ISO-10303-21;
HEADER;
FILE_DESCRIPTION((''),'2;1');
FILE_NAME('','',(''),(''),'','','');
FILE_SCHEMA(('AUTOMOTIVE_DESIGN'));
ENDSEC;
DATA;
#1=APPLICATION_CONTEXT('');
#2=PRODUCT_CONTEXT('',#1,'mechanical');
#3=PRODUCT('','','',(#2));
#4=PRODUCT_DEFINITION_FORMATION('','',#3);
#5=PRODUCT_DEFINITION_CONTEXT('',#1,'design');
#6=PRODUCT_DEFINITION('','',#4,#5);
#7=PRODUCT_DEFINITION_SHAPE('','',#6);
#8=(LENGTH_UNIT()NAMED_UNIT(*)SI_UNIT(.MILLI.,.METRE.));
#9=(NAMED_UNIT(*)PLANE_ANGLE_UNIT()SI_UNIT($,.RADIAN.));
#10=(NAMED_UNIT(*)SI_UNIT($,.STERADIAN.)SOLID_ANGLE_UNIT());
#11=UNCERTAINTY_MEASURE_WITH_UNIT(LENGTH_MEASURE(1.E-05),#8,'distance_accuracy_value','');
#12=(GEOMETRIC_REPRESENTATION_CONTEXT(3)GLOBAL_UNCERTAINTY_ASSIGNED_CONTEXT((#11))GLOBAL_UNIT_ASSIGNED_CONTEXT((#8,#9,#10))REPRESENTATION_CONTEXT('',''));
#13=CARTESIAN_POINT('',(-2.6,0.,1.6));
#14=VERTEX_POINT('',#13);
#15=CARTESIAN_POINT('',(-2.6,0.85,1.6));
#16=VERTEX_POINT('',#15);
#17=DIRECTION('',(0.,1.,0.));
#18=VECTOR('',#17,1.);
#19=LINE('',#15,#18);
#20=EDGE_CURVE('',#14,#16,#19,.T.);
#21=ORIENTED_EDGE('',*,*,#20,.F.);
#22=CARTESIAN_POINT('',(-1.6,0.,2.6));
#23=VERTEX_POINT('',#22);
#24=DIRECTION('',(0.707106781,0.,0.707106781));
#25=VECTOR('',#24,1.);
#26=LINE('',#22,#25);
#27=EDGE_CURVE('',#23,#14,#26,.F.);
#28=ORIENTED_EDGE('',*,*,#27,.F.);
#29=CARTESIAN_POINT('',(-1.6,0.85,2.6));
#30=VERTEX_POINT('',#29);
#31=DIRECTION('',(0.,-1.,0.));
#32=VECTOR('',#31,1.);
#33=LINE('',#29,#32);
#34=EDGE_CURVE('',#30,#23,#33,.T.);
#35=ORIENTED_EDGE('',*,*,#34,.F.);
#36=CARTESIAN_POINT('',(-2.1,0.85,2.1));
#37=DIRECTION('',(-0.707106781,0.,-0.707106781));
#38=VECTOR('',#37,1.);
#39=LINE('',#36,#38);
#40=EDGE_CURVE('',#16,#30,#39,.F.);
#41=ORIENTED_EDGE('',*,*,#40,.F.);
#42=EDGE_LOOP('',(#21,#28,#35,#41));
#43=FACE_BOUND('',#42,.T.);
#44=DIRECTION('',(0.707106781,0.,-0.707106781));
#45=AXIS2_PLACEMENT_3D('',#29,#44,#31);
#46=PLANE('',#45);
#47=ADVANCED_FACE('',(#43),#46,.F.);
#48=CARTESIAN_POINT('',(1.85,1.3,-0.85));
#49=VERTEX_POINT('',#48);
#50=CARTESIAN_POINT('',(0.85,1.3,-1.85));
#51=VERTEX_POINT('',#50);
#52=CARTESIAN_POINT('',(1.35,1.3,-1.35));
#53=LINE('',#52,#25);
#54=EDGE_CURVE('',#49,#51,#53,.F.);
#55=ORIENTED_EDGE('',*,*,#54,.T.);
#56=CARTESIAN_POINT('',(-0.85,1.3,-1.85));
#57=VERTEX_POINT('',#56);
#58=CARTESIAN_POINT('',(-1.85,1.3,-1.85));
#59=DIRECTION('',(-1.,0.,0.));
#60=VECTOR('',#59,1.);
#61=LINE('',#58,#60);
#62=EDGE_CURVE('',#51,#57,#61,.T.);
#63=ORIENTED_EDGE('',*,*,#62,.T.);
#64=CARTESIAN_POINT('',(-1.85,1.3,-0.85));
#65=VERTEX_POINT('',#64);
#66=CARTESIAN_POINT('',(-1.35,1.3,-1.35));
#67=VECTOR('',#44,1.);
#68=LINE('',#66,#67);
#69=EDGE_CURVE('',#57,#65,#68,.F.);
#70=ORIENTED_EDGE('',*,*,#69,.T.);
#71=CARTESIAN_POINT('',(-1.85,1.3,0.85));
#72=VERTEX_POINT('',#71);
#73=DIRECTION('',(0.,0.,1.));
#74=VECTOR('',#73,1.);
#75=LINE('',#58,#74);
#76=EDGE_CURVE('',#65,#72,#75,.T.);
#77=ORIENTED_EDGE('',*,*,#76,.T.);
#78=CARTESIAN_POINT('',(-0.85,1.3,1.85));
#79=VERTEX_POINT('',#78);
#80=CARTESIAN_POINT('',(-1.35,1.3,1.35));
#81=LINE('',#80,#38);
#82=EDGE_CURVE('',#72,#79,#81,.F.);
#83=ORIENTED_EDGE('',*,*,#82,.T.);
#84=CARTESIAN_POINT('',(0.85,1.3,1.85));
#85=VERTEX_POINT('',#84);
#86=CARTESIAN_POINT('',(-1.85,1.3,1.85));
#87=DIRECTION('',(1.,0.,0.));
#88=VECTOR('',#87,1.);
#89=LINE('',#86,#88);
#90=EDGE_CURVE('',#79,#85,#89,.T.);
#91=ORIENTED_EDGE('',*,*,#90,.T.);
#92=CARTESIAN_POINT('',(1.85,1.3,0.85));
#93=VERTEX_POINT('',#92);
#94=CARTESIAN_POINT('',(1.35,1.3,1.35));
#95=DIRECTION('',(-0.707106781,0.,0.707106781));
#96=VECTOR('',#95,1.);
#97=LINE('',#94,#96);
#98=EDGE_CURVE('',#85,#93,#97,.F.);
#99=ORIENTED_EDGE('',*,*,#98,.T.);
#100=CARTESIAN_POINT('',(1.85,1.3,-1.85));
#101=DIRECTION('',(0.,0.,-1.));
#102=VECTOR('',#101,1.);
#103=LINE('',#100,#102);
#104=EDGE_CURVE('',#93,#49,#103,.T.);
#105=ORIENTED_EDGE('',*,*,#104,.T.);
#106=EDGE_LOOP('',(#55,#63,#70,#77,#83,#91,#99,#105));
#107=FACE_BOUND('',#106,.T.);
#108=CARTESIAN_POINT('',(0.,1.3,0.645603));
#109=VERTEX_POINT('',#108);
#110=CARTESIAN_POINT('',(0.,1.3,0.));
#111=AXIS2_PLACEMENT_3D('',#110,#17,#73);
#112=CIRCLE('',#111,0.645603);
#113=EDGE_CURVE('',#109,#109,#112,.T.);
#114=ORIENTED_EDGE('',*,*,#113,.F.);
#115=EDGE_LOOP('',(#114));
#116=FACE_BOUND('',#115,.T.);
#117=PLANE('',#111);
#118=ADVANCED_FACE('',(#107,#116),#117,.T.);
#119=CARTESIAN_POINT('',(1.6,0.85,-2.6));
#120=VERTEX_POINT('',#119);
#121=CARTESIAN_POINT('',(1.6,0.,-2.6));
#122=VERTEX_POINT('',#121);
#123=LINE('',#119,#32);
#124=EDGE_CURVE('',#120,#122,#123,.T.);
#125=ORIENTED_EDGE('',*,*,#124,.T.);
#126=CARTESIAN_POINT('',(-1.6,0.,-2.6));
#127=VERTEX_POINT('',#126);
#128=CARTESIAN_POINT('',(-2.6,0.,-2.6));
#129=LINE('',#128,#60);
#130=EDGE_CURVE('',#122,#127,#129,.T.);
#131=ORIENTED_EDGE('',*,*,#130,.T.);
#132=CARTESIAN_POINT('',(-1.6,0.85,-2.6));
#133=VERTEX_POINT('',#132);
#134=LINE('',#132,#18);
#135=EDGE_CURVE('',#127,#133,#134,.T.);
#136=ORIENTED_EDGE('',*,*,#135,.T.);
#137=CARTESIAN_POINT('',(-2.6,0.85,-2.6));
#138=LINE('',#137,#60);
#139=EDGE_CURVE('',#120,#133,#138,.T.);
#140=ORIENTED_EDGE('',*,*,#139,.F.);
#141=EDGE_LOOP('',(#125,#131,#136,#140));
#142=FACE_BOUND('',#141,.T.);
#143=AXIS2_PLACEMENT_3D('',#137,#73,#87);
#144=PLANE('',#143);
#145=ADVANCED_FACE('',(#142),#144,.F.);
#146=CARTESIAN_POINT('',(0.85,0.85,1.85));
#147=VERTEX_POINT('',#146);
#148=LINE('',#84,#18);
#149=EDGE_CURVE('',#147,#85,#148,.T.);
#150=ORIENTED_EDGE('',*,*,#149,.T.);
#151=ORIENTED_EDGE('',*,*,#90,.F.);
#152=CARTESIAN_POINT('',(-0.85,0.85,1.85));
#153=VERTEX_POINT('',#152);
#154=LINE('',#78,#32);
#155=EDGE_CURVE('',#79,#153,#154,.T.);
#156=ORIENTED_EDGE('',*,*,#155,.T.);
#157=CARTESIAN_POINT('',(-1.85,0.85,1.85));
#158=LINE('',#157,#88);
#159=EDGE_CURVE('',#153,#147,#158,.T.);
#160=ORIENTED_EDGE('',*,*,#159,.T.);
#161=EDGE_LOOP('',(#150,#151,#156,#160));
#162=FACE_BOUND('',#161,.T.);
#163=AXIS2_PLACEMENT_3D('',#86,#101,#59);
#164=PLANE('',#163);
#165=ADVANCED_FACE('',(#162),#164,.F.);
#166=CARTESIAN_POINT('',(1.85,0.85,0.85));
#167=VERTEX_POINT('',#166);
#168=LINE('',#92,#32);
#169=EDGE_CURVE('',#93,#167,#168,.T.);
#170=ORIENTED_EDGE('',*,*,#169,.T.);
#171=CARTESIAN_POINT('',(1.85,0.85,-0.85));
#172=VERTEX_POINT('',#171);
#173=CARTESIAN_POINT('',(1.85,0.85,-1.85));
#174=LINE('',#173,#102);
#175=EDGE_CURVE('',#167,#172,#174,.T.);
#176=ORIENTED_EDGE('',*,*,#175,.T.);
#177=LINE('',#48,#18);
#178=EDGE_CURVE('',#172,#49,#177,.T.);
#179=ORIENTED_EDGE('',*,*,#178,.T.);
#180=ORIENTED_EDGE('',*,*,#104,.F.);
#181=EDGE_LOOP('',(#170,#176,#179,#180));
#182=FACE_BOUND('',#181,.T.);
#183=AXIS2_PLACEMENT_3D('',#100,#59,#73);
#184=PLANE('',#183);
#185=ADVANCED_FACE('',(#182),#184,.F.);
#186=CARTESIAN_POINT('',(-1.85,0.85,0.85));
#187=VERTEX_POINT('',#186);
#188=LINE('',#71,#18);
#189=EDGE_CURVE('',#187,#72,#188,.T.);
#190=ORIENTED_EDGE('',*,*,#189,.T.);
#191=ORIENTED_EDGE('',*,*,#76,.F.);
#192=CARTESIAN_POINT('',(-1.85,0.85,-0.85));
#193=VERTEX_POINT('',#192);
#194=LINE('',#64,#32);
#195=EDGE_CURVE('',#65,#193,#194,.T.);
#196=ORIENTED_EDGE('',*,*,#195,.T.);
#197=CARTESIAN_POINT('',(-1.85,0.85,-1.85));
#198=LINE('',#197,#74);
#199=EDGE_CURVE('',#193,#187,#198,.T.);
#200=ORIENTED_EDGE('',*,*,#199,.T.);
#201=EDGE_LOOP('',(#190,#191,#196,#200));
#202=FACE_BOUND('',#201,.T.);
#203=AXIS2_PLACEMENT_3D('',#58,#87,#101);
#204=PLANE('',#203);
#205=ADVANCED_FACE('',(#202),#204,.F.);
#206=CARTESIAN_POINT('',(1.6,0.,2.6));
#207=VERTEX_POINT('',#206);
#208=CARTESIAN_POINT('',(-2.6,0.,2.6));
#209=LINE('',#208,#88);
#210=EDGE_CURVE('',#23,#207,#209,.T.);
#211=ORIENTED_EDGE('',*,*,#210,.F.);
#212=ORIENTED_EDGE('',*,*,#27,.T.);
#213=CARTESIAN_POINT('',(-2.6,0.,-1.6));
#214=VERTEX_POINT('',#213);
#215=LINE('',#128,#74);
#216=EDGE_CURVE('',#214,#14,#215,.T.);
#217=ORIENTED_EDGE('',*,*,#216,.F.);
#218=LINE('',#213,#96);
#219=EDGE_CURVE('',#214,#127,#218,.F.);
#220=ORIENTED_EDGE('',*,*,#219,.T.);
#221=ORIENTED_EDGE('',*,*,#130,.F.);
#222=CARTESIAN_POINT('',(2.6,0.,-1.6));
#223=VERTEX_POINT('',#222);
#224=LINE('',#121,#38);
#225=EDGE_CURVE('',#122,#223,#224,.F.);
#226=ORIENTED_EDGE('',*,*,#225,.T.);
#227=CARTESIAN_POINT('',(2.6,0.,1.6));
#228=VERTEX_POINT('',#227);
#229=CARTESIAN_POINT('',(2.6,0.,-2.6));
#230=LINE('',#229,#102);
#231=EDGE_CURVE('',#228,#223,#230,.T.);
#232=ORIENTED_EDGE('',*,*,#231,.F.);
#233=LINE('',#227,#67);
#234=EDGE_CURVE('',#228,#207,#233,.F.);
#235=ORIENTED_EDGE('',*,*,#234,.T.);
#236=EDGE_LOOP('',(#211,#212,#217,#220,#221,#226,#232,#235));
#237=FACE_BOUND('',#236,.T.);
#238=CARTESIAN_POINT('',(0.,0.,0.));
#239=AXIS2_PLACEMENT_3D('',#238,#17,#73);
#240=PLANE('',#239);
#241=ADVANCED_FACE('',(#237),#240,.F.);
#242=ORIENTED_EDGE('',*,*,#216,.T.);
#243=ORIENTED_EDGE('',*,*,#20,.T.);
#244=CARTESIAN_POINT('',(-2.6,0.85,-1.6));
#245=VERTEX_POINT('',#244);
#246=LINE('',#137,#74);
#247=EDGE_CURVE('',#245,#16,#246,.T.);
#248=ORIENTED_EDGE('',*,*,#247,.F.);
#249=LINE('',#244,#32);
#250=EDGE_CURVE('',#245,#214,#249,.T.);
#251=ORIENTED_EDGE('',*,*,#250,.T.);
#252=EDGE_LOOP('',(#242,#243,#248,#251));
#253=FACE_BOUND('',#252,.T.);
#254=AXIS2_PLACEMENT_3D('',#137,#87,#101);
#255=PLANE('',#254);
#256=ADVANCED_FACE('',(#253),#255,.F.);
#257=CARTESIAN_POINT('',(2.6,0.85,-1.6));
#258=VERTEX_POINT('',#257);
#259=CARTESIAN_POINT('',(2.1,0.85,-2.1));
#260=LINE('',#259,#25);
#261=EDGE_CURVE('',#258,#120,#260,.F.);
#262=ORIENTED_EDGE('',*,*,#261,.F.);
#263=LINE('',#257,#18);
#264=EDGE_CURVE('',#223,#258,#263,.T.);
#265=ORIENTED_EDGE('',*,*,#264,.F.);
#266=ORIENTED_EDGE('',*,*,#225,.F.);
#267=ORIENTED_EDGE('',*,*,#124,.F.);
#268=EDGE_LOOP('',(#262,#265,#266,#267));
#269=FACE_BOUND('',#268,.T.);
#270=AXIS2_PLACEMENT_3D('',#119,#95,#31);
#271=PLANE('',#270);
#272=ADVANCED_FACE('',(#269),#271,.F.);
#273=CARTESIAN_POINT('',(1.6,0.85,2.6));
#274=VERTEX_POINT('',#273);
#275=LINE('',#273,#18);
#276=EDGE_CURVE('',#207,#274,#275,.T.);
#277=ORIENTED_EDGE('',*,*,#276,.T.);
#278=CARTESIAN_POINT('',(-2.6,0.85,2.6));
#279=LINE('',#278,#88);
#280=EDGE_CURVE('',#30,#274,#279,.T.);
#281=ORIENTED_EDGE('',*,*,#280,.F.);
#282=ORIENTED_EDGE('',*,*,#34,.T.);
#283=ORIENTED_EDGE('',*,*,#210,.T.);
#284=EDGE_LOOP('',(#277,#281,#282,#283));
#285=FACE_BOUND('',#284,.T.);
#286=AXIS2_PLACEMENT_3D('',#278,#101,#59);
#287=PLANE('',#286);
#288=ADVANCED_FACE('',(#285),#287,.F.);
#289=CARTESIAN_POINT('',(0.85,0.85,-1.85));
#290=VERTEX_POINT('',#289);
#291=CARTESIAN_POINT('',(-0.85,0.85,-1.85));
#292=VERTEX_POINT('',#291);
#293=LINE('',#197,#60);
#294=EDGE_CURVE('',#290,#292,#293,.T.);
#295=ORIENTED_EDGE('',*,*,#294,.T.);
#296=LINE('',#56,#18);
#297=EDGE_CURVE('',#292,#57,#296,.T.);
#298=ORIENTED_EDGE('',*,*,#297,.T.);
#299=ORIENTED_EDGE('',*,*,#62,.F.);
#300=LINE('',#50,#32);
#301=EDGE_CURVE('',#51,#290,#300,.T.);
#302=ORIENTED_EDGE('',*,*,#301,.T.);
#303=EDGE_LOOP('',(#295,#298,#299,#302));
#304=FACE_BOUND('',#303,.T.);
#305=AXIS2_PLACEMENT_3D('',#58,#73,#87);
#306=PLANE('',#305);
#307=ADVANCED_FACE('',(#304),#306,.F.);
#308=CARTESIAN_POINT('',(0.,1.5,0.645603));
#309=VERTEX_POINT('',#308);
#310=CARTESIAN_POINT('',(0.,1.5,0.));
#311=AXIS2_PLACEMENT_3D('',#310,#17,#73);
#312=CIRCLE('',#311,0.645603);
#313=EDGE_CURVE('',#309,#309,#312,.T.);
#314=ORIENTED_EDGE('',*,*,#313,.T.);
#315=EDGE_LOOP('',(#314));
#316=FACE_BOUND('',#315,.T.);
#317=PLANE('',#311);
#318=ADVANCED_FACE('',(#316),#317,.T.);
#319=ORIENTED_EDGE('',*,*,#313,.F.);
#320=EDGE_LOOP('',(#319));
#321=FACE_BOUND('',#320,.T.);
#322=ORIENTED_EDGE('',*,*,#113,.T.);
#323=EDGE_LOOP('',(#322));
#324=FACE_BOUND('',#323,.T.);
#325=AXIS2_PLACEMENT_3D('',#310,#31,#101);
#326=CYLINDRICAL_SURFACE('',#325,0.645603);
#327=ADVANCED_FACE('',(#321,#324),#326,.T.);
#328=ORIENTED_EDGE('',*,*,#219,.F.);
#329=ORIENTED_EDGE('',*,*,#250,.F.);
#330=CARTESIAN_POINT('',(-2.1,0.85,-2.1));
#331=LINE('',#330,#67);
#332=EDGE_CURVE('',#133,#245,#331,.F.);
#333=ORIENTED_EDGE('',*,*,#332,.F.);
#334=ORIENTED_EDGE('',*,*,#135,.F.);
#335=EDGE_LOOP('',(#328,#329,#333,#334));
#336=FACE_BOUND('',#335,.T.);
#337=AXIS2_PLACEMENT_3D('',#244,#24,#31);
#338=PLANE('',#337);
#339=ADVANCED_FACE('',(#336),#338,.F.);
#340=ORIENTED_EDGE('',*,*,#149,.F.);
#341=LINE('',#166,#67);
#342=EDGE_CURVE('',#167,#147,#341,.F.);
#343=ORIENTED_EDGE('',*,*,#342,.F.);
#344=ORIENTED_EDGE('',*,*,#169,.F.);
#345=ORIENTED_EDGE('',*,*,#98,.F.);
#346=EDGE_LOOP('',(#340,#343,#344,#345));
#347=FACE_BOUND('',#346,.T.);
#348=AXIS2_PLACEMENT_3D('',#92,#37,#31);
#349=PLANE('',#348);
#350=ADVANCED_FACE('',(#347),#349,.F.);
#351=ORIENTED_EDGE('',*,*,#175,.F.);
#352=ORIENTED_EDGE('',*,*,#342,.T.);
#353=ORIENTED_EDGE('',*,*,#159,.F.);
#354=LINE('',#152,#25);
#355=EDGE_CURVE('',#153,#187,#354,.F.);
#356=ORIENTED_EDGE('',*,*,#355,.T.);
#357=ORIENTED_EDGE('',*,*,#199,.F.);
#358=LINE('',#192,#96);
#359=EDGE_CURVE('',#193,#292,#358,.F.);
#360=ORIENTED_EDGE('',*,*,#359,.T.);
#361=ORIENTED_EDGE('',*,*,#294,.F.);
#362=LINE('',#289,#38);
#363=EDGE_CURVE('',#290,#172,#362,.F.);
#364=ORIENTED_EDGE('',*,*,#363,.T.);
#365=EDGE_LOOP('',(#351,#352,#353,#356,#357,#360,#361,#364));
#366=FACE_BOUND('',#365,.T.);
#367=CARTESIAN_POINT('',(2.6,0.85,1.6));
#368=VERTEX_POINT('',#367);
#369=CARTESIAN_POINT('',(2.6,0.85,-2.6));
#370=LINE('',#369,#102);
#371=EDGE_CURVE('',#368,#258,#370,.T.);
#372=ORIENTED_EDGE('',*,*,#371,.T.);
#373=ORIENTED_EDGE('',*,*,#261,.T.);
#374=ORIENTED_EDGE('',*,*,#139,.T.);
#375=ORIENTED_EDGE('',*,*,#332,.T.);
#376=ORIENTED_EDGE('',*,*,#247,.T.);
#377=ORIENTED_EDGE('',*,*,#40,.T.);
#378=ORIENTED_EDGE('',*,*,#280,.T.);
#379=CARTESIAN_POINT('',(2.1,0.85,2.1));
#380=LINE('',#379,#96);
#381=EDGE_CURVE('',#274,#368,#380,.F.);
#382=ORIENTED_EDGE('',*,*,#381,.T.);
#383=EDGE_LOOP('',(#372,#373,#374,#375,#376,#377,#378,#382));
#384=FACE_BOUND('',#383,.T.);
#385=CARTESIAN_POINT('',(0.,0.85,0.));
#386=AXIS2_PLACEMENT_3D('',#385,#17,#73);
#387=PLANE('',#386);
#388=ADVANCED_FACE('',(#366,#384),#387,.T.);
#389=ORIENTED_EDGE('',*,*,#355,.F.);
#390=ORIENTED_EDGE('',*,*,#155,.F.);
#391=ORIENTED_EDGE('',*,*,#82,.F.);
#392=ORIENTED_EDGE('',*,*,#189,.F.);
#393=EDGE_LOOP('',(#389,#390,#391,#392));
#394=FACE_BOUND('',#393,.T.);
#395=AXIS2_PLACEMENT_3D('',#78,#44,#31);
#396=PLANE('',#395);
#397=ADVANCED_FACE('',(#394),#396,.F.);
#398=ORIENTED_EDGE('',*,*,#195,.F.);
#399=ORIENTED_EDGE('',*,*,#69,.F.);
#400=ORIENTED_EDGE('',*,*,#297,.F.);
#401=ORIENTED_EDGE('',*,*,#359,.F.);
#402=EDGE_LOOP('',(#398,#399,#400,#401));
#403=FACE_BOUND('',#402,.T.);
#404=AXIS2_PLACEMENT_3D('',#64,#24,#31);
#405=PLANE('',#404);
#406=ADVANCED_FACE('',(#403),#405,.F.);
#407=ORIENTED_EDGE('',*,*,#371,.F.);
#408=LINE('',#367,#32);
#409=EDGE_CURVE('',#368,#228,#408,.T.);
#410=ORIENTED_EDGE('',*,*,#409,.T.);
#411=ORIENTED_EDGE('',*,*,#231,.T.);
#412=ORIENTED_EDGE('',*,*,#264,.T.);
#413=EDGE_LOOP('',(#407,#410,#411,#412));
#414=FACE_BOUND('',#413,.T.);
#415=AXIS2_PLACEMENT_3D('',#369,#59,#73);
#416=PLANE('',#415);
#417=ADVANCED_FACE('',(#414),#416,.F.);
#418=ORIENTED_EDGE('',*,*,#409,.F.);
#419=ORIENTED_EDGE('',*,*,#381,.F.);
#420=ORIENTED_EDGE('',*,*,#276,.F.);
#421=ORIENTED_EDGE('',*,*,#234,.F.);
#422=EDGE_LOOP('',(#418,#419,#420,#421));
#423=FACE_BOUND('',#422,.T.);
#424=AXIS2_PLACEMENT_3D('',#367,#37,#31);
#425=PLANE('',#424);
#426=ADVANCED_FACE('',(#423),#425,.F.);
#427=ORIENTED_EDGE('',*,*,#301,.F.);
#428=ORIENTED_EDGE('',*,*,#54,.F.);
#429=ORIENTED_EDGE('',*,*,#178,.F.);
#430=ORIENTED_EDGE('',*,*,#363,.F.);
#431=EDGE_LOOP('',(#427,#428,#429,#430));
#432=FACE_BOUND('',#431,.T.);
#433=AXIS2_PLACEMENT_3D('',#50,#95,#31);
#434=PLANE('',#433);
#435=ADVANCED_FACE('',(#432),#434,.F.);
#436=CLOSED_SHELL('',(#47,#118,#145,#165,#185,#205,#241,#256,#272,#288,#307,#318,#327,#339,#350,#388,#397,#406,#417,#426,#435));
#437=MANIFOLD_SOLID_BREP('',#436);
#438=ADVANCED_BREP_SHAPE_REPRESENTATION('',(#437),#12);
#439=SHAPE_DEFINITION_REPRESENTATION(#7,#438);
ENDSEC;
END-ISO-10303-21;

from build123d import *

# Parameters (mm, degrees)
SKETCH_1_W      = 5.2
SKETCH_1_H      = 5.2
EXTRUDE_1_DEPTH = 0.85
CHAMFER_1_SIZE  = 1
SKETCH_2_W      = 3.7
SKETCH_2_H      = 3.7
EXTRUDE_2_DEPTH = 0.45
CHAMFER_2_SIZE  = 1
SKETCH_3_R      = 0.645603451
EXTRUDE_3_DEPTH = 0.2


with BuildPart() as part:
    # 草图1 → 凸台-拉伸1 (new body)
    with BuildSketch(Plane(origin=(0, 0, 0), x_dir=(1, 0, 0), z_dir=(0, 1, 0))):
        Rectangle(SKETCH_1_W, SKETCH_1_H)
    extrude(amount=EXTRUDE_1_DEPTH)

    # 倒角1
    chamfer_1_edges = [part.edges().sort_by_distance(p)[0] for p in [
        (2.6, 0.425, 2.6),
        (-2.6, 0.425, 2.6),
        (-2.6, 0.425, -2.6),
        (2.6, 0.425, -2.6),
    ]]
    chamfer(chamfer_1_edges, length=CHAMFER_1_SIZE)

    # 草图2 → 凸台-拉伸2 (add)
    with BuildSketch(Plane(origin=(0, 0.85, 0), x_dir=(1, 0, 0), z_dir=(0, 1, 0))):
        Rectangle(SKETCH_2_W, SKETCH_2_H)
    extrude(amount=EXTRUDE_2_DEPTH)

    # 倒角2
    chamfer_2_edges = [part.edges().sort_by_distance(p)[0] for p in [
        (1.85, 1.075, 1.85),
        (1.85, 1.075, -1.85),
        (-1.85, 1.075, -1.85),
        (-1.85, 1.075, 1.85),
    ]]
    chamfer(chamfer_2_edges, length=CHAMFER_2_SIZE)

    # 草图3 → 凸台-拉伸3 (add)
    with BuildSketch(Plane(origin=(0, 1.3, 0), x_dir=(1, 0, 0), z_dir=(0, 1, 0))):
        with Locations(Location((0, 0, 0), (0, 0, 270))):
            Circle(SKETCH_3_R)
    extrude(amount=EXTRUDE_3_DEPTH)


solid = part.part
